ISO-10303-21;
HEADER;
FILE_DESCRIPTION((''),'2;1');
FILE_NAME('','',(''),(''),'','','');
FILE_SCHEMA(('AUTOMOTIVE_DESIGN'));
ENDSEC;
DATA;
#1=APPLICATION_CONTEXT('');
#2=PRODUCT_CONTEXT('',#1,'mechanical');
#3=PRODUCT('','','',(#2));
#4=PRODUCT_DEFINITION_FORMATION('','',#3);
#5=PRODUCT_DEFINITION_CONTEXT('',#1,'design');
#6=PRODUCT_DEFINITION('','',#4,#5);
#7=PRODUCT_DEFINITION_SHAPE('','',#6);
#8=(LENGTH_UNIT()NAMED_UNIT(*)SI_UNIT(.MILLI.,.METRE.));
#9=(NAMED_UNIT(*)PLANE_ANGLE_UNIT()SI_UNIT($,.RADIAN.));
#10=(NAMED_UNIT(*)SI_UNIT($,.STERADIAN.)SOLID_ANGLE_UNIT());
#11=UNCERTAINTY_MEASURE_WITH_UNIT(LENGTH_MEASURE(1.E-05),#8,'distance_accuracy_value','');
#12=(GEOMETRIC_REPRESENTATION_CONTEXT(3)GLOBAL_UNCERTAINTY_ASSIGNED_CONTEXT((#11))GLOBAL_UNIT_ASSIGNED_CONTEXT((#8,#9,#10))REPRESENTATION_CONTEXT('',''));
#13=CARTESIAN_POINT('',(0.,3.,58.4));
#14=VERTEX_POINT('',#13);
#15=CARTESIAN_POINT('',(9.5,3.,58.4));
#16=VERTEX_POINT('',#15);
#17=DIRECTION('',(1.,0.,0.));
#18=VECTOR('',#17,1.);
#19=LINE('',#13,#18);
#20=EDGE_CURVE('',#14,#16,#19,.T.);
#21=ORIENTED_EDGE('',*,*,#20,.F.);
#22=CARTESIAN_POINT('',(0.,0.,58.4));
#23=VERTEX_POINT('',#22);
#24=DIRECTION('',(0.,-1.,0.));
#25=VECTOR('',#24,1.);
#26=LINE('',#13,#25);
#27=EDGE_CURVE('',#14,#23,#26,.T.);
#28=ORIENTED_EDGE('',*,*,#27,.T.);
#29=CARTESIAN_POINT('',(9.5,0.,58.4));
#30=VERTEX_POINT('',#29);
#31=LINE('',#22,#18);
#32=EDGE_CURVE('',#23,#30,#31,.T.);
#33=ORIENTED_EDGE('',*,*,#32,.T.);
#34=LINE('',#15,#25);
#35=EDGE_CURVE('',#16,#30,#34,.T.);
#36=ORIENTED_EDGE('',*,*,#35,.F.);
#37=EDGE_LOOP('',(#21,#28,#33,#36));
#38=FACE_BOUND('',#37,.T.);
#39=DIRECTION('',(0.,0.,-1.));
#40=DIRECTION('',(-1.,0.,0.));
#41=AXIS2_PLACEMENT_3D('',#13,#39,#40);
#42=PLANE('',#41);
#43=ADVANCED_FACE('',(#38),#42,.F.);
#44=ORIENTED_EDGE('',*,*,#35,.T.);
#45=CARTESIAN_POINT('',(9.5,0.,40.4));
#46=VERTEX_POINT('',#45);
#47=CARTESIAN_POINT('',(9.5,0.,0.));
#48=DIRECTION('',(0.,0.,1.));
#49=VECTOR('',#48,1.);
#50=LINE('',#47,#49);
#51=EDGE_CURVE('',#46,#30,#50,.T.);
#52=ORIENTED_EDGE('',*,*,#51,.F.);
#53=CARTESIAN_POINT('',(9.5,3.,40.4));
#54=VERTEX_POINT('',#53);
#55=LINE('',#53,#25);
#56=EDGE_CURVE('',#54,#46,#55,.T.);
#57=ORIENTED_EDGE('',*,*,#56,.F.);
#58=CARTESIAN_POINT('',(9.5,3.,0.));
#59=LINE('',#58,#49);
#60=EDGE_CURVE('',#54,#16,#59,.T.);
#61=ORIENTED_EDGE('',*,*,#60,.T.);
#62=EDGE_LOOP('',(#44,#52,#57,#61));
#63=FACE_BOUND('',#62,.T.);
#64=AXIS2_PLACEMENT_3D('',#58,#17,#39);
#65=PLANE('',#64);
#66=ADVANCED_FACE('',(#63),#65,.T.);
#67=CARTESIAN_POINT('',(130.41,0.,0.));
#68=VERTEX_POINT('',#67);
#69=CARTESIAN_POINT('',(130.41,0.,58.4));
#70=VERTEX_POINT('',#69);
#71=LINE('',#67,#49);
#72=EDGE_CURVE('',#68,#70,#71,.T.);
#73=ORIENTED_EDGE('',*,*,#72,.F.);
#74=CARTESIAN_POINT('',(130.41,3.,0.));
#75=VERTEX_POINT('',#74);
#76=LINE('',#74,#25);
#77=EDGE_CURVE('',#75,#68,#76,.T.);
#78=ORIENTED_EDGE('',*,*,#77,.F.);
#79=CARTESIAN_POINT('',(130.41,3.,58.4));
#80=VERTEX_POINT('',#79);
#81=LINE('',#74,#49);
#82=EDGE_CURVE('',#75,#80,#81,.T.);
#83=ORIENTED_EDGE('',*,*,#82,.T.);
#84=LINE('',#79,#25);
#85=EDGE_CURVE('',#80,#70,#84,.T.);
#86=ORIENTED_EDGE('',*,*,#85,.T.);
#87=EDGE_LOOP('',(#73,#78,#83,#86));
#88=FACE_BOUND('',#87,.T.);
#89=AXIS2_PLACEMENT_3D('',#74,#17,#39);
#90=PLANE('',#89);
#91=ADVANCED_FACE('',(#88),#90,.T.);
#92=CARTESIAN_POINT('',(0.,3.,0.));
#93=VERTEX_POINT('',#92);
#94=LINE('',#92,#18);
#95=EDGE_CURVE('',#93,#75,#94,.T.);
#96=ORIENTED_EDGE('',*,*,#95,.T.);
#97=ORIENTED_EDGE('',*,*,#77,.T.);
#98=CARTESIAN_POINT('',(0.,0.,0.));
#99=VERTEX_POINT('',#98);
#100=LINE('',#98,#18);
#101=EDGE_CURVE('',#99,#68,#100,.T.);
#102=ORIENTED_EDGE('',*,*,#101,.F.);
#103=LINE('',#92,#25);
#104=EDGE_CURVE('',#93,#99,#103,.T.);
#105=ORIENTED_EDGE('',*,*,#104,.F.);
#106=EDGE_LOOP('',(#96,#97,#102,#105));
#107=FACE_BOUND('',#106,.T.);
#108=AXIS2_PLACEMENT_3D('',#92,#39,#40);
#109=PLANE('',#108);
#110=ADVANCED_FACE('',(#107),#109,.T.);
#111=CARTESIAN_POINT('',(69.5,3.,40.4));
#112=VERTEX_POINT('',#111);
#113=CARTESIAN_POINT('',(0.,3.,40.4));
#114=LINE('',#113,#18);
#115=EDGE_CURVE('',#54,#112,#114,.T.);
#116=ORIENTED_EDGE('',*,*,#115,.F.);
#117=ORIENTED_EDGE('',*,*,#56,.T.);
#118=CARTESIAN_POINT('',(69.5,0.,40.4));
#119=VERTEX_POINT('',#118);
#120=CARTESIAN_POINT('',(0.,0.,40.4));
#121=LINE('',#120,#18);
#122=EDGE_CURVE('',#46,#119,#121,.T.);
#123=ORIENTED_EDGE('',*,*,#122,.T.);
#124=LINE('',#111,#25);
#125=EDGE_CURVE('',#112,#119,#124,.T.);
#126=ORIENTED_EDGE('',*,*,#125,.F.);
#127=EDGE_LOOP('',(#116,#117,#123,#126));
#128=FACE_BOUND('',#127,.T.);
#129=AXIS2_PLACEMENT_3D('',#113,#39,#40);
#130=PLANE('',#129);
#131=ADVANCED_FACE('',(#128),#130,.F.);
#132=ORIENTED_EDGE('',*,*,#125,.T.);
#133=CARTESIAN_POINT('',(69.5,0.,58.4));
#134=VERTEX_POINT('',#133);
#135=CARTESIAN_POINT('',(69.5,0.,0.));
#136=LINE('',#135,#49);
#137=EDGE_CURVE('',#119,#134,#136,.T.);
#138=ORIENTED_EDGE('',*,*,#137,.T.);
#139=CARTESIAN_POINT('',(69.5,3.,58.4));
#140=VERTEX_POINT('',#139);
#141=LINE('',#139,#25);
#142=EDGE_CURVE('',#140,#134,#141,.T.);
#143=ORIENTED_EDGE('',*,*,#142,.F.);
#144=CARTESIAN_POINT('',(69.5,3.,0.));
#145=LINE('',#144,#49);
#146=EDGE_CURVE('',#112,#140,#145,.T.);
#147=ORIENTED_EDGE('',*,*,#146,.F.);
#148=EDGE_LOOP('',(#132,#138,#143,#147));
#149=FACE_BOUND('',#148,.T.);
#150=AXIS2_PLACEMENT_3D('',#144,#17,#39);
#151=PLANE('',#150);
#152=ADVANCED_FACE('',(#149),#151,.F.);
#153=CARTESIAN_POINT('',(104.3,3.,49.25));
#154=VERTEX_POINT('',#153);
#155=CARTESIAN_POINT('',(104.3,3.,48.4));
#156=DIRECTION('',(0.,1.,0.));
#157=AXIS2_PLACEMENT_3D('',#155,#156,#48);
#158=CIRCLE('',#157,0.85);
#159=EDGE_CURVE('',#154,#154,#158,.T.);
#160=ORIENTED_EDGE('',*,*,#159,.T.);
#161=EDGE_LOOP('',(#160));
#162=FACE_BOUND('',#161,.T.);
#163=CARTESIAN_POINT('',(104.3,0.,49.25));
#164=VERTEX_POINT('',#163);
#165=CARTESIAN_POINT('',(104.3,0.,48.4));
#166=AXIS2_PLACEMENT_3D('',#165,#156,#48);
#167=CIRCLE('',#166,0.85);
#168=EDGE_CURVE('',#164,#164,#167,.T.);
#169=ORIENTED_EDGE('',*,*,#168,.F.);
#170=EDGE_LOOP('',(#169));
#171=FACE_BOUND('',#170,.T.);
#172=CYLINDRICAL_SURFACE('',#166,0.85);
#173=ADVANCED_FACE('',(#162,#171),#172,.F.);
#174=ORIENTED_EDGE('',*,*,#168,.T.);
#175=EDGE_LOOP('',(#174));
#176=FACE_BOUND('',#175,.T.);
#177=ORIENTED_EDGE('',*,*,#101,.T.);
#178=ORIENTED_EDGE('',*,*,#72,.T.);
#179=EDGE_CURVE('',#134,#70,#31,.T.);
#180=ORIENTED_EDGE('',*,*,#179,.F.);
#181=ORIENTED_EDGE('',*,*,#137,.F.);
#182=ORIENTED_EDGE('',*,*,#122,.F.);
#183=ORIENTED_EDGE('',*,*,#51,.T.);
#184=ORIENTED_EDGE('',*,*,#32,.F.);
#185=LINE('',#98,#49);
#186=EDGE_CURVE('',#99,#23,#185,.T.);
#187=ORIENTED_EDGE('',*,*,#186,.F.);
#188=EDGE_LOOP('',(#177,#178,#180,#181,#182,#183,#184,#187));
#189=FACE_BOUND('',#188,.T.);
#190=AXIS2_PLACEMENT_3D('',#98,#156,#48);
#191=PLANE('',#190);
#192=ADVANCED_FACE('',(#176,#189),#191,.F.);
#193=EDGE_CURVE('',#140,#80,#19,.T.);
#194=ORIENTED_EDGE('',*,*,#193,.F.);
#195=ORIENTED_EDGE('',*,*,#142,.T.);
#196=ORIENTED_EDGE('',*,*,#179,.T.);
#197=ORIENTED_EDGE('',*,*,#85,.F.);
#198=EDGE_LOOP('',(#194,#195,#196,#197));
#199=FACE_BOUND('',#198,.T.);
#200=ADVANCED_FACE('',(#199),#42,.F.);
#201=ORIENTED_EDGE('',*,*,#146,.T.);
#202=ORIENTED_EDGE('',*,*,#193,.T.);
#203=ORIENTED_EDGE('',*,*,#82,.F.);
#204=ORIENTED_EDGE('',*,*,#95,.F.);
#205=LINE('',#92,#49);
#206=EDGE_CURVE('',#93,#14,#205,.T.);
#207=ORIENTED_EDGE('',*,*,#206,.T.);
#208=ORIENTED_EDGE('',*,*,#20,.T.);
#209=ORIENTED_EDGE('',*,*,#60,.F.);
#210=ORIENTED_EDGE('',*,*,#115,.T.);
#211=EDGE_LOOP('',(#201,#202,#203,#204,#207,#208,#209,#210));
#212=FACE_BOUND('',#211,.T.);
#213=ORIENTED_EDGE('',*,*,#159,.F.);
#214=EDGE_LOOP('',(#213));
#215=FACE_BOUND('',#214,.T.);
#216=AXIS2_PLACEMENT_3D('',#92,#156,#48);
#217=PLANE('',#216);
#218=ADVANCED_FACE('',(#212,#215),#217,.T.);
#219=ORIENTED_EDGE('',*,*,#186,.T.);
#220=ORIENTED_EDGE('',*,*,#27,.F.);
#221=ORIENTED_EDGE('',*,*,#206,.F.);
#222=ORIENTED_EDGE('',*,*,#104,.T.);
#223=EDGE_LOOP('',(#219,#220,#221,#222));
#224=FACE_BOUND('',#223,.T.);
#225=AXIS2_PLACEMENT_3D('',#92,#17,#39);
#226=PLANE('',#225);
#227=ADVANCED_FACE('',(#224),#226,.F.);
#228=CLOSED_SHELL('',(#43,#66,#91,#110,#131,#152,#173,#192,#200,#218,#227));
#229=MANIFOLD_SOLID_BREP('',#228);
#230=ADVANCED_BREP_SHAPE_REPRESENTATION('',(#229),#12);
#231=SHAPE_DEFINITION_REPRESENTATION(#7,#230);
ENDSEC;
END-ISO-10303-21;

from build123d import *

# Parameters (mm, degrees)
BOSS_EXTRUDE1_DEPTH = 3
SKETCH2_R           = 0.85
CUT_EXTRUDE1_DEPTH  = 143.920705638


with BuildPart() as part:
    # Sketch1 → Boss-Extrude1 (new body)
    with BuildSketch(Plane(origin=(0, 0, 0), x_dir=(1, 0, 0), z_dir=(0, 1, 0))):
        Polygon((130.41, 0), (0, 0), (0, -58.4), (9.5, -58.4), (9.5, -40.4), (69.5, -40.4), (69.5, -58.4), (130.41, -58.4), align=None)
    extrude(amount=BOSS_EXTRUDE1_DEPTH)

    # Sketch2 → Cut-Extrude1 (cut, through all)
    with BuildSketch(Plane(origin=(0, 3, 0), x_dir=(1, 0, 0), z_dir=(0, 1, 0))):
        with Locations(Location((104.3, -48.4, 0), (0, 0, 270))):
            Circle(SKETCH2_R)
    extrude(amount=-CUT_EXTRUDE1_DEPTH, mode=Mode.SUBTRACT)


solid = part.part
